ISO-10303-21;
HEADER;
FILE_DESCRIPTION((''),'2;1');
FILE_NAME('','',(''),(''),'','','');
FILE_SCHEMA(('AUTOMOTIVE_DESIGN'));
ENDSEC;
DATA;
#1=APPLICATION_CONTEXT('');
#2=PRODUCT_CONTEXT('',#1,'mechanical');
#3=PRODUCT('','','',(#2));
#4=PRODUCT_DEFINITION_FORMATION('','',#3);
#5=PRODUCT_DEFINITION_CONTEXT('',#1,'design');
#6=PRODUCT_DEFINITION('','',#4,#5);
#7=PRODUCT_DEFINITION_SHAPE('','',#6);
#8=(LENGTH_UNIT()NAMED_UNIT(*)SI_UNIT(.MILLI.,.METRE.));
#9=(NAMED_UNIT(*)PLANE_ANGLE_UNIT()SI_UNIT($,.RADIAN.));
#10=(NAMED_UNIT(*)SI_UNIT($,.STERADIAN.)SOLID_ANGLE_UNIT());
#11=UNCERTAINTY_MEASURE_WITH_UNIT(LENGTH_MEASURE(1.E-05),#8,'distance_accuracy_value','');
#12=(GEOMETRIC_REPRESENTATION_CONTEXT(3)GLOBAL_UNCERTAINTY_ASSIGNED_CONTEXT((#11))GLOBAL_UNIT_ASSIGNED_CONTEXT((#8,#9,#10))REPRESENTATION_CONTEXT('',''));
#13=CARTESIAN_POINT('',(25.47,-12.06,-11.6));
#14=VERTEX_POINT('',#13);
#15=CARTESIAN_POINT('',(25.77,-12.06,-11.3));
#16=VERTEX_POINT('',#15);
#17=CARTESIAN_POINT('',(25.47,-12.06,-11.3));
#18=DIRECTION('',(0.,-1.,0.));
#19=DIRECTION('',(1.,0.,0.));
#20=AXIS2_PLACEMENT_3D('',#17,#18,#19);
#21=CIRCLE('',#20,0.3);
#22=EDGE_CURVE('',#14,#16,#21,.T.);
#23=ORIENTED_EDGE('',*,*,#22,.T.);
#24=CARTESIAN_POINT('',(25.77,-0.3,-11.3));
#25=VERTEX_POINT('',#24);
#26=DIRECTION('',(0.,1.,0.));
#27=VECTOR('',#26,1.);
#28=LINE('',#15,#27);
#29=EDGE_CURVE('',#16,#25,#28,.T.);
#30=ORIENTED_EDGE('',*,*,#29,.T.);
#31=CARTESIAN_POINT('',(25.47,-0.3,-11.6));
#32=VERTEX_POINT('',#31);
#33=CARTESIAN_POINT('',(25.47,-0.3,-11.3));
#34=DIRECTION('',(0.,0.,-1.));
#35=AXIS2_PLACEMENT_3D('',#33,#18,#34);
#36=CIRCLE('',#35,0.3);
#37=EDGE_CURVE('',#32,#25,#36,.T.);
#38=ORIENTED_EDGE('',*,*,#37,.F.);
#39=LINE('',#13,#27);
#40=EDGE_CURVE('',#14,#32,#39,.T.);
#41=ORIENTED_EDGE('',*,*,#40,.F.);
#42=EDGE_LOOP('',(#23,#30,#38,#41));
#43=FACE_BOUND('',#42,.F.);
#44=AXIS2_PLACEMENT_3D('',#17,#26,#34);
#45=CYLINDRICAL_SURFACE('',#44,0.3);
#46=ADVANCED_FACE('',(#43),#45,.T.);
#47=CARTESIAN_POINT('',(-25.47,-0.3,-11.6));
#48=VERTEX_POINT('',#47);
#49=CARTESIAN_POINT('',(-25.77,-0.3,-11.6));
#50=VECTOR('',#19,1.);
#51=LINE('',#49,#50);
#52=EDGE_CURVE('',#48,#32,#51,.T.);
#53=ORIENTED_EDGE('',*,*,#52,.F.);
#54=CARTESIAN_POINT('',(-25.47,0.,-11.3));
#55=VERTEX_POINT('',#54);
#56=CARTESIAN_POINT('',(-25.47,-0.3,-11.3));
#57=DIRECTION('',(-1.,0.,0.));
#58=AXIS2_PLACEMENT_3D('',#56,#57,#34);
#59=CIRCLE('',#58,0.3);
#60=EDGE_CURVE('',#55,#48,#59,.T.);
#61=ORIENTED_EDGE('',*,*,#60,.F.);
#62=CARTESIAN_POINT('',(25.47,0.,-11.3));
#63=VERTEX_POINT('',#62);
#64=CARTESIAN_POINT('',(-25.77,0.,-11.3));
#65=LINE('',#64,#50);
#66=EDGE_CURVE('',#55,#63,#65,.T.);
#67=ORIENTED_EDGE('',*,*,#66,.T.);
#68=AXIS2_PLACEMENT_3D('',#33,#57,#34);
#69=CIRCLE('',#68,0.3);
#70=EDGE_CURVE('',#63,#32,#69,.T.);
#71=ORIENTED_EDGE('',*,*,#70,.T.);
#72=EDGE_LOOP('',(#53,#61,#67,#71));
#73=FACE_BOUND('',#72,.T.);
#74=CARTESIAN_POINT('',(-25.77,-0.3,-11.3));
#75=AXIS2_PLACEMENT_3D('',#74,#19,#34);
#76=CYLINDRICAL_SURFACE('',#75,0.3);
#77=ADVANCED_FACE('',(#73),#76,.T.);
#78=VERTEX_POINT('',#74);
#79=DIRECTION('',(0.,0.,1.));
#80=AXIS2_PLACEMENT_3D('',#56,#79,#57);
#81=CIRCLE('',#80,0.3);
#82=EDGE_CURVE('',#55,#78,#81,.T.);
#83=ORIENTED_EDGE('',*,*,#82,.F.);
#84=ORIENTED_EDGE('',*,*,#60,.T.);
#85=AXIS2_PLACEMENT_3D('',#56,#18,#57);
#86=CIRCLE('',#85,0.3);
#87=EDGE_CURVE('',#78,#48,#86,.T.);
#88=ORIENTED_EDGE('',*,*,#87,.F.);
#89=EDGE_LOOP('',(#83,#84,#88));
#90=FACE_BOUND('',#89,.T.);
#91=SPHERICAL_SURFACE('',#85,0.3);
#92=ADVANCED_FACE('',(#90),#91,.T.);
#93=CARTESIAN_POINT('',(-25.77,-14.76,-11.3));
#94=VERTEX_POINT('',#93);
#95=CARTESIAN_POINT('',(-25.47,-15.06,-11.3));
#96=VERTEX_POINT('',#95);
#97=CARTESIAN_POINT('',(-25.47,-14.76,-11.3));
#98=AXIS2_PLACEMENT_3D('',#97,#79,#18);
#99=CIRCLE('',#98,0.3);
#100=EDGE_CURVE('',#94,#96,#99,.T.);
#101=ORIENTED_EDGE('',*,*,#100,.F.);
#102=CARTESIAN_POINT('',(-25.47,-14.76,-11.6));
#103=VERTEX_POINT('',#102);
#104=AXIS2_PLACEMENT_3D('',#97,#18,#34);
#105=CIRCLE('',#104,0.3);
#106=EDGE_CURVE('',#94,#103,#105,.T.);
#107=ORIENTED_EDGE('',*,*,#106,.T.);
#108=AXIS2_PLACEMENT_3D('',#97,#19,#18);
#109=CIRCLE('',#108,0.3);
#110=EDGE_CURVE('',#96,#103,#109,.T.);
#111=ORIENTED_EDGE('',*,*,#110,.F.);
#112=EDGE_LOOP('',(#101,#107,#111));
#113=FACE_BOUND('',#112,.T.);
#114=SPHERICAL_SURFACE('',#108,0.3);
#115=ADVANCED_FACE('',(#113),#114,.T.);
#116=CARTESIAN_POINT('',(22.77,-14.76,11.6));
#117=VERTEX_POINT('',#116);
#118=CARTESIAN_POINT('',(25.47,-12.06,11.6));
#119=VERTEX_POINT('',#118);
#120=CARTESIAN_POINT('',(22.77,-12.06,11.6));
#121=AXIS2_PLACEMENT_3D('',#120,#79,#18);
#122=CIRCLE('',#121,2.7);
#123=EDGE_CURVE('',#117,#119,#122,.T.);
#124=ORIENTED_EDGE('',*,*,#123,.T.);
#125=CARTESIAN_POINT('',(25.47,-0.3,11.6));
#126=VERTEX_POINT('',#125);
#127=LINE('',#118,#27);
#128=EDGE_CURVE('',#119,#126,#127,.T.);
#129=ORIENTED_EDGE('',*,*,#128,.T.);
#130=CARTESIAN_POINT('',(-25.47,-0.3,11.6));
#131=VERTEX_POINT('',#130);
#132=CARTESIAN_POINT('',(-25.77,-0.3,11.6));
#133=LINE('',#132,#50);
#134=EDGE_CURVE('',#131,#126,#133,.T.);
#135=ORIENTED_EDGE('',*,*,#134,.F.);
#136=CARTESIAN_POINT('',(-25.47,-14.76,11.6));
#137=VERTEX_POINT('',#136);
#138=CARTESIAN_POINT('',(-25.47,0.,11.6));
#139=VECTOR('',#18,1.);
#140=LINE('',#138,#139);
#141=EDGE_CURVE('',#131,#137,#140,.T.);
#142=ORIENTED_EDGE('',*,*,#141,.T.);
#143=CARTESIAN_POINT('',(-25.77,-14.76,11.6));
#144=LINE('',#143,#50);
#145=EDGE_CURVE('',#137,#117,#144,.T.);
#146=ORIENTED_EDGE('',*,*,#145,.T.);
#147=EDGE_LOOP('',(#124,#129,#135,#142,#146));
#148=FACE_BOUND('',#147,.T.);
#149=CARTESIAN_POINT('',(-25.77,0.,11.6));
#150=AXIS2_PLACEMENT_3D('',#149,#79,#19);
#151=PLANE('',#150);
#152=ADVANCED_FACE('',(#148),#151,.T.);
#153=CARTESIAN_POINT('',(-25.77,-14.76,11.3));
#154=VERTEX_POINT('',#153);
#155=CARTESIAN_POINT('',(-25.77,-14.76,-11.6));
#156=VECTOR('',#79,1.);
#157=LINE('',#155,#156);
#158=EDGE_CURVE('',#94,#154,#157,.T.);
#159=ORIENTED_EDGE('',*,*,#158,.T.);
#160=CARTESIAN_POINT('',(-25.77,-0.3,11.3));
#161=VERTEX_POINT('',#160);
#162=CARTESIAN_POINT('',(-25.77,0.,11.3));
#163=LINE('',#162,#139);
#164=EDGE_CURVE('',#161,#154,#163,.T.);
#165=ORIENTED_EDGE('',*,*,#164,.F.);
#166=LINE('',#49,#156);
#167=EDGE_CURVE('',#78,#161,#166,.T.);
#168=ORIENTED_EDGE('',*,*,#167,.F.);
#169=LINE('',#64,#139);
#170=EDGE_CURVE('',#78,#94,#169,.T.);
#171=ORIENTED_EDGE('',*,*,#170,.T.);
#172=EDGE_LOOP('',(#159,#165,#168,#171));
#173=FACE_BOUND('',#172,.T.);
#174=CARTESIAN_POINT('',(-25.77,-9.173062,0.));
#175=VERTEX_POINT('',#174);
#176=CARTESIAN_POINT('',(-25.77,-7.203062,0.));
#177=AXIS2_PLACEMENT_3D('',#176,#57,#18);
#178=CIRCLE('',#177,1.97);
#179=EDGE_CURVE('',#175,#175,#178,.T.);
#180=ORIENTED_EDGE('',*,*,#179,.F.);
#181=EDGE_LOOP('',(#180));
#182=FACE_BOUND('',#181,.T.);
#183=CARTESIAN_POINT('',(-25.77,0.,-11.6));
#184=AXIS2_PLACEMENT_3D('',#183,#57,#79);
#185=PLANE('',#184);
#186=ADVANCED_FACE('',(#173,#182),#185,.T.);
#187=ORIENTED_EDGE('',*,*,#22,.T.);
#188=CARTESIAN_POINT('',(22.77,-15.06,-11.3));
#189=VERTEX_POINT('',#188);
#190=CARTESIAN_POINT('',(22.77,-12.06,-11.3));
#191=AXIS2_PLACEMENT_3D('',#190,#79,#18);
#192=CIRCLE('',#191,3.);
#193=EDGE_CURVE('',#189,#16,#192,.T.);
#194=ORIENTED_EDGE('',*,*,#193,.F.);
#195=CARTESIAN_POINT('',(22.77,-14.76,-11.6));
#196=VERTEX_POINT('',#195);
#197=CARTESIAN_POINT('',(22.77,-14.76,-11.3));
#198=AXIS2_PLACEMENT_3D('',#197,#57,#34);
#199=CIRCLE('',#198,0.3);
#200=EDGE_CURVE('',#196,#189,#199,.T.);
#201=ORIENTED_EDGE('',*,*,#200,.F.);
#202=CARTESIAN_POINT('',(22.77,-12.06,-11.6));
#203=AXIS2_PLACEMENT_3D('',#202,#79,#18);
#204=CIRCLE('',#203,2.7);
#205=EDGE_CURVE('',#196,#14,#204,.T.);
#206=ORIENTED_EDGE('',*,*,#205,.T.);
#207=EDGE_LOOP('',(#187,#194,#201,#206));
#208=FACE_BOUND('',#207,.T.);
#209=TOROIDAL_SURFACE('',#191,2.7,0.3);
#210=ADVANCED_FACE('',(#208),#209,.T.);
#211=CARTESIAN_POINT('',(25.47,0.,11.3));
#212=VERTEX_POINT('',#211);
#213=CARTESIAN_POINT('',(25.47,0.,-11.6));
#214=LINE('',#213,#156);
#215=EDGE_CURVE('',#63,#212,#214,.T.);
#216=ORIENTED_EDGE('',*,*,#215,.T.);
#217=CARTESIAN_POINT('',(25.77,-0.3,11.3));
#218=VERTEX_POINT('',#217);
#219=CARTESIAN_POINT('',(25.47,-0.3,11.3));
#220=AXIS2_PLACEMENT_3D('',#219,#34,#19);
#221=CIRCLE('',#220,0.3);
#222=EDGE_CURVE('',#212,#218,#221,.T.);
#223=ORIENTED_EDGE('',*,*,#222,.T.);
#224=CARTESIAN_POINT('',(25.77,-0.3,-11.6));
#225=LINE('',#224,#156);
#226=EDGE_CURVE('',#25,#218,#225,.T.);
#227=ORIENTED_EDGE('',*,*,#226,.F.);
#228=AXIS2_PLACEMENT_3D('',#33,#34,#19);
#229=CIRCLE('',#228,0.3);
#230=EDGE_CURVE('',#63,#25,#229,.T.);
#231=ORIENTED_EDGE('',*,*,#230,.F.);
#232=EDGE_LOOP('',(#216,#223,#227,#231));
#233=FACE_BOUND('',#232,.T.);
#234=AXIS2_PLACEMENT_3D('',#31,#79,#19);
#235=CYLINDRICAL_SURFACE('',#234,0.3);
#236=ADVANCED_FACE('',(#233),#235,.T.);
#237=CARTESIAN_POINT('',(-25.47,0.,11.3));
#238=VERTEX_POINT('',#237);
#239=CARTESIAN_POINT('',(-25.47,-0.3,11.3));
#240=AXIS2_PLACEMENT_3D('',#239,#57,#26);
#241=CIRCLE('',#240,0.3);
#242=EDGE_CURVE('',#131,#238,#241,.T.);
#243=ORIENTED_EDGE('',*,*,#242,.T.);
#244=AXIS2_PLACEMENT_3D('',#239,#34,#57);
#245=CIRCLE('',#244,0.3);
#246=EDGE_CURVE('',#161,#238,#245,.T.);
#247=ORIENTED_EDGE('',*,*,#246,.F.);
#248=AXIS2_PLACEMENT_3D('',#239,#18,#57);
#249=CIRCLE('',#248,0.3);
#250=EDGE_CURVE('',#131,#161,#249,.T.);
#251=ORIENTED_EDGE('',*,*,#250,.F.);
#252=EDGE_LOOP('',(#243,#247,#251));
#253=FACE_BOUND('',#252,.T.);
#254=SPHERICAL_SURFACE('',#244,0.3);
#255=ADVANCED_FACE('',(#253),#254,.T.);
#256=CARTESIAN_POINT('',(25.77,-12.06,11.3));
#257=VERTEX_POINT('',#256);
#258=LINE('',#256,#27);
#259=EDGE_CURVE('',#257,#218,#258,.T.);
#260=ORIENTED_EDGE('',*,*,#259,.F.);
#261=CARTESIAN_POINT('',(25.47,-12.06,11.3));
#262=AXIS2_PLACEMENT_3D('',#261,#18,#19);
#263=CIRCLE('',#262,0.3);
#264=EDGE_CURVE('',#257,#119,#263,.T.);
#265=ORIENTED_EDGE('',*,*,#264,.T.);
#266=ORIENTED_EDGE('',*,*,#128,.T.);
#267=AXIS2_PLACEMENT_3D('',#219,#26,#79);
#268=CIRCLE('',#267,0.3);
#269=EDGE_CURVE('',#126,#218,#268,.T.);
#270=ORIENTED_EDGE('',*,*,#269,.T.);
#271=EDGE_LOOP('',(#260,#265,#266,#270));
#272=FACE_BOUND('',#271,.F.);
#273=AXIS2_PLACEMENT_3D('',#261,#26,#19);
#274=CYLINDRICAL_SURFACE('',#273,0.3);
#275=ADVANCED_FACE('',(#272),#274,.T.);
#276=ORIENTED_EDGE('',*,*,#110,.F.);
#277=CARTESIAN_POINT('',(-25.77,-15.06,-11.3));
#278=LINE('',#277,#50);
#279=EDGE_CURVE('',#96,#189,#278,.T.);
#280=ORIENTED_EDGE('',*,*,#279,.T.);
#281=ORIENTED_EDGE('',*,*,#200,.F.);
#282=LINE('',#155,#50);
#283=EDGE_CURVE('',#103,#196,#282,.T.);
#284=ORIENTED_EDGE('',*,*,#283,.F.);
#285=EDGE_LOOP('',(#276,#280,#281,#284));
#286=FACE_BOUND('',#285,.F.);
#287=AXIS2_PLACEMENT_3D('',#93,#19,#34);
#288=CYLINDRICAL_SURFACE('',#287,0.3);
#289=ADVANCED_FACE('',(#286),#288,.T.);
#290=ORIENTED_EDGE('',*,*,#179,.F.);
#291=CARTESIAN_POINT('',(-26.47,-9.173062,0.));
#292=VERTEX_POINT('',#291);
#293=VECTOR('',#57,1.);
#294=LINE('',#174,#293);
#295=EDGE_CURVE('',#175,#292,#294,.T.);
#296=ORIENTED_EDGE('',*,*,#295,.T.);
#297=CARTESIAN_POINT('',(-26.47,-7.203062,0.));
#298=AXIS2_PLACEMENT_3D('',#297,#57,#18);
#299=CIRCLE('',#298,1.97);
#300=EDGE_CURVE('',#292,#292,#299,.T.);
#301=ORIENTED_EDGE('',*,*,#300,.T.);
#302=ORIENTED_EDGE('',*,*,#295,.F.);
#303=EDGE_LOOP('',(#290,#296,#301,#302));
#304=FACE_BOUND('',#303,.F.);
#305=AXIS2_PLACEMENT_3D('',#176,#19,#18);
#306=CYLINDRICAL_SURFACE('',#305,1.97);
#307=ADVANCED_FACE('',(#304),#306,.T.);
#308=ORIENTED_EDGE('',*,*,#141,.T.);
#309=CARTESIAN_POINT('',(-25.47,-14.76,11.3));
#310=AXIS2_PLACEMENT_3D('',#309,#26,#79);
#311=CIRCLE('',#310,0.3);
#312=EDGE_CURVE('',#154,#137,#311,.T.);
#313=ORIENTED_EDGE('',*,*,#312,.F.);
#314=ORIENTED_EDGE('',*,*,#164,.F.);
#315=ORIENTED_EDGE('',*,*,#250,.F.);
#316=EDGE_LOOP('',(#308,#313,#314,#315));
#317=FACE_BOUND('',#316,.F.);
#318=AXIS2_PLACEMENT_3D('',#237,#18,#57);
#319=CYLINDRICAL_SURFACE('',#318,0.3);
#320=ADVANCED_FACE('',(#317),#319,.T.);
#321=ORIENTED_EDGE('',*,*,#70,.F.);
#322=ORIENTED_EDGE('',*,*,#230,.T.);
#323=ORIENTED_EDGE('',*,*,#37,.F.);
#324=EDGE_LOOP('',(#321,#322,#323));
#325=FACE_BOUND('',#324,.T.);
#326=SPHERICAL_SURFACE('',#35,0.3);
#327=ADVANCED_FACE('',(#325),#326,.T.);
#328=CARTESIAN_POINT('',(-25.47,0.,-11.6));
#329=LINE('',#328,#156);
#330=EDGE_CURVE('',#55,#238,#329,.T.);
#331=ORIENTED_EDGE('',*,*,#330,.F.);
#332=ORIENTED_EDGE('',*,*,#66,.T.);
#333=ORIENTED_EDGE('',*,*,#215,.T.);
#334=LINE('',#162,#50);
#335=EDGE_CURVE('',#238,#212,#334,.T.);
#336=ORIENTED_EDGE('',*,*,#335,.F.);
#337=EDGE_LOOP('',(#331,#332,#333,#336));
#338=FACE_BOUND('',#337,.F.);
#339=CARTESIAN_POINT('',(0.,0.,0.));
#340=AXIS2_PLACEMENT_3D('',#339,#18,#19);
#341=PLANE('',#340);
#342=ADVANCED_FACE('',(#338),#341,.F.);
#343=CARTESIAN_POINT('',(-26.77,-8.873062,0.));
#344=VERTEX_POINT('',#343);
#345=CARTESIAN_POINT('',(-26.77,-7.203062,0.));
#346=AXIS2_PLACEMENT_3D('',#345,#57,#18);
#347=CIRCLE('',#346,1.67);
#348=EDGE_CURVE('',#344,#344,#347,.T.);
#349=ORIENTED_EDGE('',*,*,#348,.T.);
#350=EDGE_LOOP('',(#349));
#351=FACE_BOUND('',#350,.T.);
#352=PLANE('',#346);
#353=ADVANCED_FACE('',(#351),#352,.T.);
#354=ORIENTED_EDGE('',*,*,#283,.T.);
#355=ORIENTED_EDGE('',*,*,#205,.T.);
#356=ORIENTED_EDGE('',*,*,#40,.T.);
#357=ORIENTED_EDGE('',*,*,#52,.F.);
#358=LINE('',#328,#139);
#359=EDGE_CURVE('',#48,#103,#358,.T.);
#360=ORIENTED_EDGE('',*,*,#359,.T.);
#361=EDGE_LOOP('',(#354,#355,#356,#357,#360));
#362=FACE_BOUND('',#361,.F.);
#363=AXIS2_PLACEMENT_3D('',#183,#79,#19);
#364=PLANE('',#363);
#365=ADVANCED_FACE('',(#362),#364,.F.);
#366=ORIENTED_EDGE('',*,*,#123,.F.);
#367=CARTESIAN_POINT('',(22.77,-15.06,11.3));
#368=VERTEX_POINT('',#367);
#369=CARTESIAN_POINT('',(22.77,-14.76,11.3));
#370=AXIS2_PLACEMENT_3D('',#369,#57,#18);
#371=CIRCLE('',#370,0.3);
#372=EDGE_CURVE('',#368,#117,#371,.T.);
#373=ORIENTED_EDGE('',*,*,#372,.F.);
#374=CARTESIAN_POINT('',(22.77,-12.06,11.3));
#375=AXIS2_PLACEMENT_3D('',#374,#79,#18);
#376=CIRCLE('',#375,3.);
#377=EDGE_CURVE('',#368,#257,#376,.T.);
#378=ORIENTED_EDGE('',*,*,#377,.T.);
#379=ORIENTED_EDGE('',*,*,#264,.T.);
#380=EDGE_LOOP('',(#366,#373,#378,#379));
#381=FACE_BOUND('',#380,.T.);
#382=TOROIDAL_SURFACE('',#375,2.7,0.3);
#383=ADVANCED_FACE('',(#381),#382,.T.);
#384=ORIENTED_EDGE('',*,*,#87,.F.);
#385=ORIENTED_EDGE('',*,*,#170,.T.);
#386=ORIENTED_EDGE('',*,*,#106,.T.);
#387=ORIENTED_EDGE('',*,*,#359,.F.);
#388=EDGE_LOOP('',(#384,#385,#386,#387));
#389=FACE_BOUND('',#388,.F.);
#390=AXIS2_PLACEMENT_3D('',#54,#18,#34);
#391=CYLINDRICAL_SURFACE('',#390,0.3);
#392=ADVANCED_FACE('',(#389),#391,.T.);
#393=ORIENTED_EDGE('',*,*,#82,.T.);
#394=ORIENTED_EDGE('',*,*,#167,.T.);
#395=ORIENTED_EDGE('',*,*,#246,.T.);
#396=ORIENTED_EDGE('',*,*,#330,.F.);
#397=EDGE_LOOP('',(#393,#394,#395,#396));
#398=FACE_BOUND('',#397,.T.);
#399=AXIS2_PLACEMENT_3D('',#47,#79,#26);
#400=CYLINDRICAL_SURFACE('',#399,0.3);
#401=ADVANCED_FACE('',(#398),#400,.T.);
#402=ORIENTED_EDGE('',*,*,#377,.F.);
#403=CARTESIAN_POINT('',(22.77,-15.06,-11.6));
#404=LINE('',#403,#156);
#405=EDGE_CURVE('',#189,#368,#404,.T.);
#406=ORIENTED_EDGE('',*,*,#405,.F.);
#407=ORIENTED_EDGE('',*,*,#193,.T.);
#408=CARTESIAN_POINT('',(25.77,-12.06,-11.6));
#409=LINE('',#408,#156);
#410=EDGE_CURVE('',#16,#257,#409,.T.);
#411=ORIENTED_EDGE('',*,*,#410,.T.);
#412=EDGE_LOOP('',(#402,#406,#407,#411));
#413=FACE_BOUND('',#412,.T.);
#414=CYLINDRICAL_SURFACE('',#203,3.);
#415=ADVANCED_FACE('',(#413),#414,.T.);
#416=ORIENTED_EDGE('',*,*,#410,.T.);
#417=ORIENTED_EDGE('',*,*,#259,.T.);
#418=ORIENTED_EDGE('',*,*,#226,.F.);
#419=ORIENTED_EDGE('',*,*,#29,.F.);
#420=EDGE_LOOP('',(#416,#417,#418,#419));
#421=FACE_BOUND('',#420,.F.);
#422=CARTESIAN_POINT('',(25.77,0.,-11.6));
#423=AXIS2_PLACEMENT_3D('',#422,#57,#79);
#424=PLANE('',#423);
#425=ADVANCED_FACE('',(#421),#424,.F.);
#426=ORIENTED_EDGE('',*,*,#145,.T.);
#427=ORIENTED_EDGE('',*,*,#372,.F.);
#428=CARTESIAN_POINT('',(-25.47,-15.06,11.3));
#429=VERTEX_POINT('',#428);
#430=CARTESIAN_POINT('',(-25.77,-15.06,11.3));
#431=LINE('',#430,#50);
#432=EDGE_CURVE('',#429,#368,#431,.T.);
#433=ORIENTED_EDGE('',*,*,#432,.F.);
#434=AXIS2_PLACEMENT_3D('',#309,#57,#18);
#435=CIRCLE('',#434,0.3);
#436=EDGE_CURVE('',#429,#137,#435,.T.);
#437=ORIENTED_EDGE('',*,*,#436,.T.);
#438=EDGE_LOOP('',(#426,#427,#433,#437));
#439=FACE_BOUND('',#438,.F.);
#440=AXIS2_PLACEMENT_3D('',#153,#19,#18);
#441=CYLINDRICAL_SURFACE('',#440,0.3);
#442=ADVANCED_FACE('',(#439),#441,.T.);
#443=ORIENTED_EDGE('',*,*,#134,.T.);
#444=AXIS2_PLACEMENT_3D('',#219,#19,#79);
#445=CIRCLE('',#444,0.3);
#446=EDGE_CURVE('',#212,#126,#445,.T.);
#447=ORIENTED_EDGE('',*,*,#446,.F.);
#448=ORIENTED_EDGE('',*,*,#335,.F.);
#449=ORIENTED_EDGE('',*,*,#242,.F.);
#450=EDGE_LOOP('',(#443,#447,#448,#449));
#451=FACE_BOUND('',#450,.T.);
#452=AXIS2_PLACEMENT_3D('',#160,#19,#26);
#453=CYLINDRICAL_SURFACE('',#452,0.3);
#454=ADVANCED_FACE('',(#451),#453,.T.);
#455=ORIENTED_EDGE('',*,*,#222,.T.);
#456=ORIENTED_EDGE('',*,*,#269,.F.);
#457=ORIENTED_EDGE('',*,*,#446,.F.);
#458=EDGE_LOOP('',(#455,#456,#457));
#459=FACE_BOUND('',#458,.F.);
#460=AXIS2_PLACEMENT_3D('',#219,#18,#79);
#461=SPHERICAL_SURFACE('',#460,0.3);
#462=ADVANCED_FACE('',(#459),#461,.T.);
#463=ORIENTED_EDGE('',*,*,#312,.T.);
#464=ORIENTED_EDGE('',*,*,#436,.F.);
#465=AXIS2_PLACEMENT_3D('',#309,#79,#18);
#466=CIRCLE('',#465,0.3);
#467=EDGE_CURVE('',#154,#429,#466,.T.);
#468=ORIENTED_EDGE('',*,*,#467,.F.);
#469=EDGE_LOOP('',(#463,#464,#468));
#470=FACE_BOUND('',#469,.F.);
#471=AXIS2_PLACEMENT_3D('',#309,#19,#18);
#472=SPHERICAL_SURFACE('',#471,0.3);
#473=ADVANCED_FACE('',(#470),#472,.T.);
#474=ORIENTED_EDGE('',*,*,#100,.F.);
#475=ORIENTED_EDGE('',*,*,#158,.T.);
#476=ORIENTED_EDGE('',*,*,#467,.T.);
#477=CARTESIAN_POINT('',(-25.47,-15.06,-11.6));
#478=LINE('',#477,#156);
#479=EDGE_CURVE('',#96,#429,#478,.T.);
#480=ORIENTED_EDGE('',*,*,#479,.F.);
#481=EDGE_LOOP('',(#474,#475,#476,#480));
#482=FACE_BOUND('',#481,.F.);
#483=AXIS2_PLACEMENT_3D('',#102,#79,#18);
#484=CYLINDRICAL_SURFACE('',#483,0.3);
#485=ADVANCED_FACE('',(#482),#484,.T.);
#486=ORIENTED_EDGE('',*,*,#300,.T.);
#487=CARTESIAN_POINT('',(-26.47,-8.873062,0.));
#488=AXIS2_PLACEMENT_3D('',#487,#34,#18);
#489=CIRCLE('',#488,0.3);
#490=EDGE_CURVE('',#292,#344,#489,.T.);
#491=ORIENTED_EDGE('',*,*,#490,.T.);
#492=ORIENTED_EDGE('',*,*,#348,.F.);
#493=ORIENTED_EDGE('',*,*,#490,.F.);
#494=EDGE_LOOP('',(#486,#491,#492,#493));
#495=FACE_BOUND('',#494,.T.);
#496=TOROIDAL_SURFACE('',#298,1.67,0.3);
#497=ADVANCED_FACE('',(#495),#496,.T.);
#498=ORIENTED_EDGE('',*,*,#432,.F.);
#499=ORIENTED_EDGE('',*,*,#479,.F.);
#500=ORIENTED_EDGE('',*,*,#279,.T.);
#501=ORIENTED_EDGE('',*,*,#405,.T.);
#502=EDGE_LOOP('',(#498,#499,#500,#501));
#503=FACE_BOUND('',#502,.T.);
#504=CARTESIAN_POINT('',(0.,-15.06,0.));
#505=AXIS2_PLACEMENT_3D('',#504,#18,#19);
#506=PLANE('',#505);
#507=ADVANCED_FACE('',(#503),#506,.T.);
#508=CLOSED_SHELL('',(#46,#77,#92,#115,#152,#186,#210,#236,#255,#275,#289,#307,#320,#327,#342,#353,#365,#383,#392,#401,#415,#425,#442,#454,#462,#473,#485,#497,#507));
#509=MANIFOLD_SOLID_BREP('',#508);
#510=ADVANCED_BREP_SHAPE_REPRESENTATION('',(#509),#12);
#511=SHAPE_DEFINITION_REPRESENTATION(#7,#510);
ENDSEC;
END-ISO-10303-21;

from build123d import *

# Parameters (mm, degrees)
F0_W     = 51.54
F0_H     = 23.2
F1_DEPTH = 15.06
F2_R     = 1.97
F3_DEPTH = 1
F4_R     = 0.3
F5_R     = 3
F6_R     = 0.3


with BuildPart() as f1:
    # F0 (on Front) → F1 (new body)
    with BuildSketch(Plane.XZ):
        Rectangle(F0_W, F0_H)
    extrude(amount=F1_DEPTH)

    # F2 (on face) → F3 (join)
    with BuildSketch(Plane(origin=(-25.77, 0, 0), x_dir=(0, -1, 0), z_dir=(-1, 0, 0))):
        with Locations((7.203062, 0)):
            Circle(F2_R)
    extrude(amount=F3_DEPTH)

    # F4
    f4_edges = [f1.edges().sort_by_distance(p)[0] for p in [
        (-26.77, -5.233062, 0),
    ]]
    fillet(f4_edges, radius=F4_R)

    # F5
    f5_edges = [f1.edges().sort_by_distance(p)[0] for p in [
        (25.77, -15.06, 0),
    ]]
    fillet(f5_edges, radius=F5_R)

    # F6
    f6_edges = [f1.edges().sort_by_distance(p)[0] for p in [
        (-1.5, -15.06, -11.6),
        (-1.5, -15.06, 11.6),
        (-25.77, -15.06, 0),
        (-25.77, -7.53, -11.6),
        (-25.77, 0, 0),
        (-25.77, -7.53, 11.6),
        (0, 0, -11.6),
        (0, 0, 11.6),
        (25.77, 0, 0),
    ]]
    fillet(f6_edges, radius=F6_R)


solid = f1.part
